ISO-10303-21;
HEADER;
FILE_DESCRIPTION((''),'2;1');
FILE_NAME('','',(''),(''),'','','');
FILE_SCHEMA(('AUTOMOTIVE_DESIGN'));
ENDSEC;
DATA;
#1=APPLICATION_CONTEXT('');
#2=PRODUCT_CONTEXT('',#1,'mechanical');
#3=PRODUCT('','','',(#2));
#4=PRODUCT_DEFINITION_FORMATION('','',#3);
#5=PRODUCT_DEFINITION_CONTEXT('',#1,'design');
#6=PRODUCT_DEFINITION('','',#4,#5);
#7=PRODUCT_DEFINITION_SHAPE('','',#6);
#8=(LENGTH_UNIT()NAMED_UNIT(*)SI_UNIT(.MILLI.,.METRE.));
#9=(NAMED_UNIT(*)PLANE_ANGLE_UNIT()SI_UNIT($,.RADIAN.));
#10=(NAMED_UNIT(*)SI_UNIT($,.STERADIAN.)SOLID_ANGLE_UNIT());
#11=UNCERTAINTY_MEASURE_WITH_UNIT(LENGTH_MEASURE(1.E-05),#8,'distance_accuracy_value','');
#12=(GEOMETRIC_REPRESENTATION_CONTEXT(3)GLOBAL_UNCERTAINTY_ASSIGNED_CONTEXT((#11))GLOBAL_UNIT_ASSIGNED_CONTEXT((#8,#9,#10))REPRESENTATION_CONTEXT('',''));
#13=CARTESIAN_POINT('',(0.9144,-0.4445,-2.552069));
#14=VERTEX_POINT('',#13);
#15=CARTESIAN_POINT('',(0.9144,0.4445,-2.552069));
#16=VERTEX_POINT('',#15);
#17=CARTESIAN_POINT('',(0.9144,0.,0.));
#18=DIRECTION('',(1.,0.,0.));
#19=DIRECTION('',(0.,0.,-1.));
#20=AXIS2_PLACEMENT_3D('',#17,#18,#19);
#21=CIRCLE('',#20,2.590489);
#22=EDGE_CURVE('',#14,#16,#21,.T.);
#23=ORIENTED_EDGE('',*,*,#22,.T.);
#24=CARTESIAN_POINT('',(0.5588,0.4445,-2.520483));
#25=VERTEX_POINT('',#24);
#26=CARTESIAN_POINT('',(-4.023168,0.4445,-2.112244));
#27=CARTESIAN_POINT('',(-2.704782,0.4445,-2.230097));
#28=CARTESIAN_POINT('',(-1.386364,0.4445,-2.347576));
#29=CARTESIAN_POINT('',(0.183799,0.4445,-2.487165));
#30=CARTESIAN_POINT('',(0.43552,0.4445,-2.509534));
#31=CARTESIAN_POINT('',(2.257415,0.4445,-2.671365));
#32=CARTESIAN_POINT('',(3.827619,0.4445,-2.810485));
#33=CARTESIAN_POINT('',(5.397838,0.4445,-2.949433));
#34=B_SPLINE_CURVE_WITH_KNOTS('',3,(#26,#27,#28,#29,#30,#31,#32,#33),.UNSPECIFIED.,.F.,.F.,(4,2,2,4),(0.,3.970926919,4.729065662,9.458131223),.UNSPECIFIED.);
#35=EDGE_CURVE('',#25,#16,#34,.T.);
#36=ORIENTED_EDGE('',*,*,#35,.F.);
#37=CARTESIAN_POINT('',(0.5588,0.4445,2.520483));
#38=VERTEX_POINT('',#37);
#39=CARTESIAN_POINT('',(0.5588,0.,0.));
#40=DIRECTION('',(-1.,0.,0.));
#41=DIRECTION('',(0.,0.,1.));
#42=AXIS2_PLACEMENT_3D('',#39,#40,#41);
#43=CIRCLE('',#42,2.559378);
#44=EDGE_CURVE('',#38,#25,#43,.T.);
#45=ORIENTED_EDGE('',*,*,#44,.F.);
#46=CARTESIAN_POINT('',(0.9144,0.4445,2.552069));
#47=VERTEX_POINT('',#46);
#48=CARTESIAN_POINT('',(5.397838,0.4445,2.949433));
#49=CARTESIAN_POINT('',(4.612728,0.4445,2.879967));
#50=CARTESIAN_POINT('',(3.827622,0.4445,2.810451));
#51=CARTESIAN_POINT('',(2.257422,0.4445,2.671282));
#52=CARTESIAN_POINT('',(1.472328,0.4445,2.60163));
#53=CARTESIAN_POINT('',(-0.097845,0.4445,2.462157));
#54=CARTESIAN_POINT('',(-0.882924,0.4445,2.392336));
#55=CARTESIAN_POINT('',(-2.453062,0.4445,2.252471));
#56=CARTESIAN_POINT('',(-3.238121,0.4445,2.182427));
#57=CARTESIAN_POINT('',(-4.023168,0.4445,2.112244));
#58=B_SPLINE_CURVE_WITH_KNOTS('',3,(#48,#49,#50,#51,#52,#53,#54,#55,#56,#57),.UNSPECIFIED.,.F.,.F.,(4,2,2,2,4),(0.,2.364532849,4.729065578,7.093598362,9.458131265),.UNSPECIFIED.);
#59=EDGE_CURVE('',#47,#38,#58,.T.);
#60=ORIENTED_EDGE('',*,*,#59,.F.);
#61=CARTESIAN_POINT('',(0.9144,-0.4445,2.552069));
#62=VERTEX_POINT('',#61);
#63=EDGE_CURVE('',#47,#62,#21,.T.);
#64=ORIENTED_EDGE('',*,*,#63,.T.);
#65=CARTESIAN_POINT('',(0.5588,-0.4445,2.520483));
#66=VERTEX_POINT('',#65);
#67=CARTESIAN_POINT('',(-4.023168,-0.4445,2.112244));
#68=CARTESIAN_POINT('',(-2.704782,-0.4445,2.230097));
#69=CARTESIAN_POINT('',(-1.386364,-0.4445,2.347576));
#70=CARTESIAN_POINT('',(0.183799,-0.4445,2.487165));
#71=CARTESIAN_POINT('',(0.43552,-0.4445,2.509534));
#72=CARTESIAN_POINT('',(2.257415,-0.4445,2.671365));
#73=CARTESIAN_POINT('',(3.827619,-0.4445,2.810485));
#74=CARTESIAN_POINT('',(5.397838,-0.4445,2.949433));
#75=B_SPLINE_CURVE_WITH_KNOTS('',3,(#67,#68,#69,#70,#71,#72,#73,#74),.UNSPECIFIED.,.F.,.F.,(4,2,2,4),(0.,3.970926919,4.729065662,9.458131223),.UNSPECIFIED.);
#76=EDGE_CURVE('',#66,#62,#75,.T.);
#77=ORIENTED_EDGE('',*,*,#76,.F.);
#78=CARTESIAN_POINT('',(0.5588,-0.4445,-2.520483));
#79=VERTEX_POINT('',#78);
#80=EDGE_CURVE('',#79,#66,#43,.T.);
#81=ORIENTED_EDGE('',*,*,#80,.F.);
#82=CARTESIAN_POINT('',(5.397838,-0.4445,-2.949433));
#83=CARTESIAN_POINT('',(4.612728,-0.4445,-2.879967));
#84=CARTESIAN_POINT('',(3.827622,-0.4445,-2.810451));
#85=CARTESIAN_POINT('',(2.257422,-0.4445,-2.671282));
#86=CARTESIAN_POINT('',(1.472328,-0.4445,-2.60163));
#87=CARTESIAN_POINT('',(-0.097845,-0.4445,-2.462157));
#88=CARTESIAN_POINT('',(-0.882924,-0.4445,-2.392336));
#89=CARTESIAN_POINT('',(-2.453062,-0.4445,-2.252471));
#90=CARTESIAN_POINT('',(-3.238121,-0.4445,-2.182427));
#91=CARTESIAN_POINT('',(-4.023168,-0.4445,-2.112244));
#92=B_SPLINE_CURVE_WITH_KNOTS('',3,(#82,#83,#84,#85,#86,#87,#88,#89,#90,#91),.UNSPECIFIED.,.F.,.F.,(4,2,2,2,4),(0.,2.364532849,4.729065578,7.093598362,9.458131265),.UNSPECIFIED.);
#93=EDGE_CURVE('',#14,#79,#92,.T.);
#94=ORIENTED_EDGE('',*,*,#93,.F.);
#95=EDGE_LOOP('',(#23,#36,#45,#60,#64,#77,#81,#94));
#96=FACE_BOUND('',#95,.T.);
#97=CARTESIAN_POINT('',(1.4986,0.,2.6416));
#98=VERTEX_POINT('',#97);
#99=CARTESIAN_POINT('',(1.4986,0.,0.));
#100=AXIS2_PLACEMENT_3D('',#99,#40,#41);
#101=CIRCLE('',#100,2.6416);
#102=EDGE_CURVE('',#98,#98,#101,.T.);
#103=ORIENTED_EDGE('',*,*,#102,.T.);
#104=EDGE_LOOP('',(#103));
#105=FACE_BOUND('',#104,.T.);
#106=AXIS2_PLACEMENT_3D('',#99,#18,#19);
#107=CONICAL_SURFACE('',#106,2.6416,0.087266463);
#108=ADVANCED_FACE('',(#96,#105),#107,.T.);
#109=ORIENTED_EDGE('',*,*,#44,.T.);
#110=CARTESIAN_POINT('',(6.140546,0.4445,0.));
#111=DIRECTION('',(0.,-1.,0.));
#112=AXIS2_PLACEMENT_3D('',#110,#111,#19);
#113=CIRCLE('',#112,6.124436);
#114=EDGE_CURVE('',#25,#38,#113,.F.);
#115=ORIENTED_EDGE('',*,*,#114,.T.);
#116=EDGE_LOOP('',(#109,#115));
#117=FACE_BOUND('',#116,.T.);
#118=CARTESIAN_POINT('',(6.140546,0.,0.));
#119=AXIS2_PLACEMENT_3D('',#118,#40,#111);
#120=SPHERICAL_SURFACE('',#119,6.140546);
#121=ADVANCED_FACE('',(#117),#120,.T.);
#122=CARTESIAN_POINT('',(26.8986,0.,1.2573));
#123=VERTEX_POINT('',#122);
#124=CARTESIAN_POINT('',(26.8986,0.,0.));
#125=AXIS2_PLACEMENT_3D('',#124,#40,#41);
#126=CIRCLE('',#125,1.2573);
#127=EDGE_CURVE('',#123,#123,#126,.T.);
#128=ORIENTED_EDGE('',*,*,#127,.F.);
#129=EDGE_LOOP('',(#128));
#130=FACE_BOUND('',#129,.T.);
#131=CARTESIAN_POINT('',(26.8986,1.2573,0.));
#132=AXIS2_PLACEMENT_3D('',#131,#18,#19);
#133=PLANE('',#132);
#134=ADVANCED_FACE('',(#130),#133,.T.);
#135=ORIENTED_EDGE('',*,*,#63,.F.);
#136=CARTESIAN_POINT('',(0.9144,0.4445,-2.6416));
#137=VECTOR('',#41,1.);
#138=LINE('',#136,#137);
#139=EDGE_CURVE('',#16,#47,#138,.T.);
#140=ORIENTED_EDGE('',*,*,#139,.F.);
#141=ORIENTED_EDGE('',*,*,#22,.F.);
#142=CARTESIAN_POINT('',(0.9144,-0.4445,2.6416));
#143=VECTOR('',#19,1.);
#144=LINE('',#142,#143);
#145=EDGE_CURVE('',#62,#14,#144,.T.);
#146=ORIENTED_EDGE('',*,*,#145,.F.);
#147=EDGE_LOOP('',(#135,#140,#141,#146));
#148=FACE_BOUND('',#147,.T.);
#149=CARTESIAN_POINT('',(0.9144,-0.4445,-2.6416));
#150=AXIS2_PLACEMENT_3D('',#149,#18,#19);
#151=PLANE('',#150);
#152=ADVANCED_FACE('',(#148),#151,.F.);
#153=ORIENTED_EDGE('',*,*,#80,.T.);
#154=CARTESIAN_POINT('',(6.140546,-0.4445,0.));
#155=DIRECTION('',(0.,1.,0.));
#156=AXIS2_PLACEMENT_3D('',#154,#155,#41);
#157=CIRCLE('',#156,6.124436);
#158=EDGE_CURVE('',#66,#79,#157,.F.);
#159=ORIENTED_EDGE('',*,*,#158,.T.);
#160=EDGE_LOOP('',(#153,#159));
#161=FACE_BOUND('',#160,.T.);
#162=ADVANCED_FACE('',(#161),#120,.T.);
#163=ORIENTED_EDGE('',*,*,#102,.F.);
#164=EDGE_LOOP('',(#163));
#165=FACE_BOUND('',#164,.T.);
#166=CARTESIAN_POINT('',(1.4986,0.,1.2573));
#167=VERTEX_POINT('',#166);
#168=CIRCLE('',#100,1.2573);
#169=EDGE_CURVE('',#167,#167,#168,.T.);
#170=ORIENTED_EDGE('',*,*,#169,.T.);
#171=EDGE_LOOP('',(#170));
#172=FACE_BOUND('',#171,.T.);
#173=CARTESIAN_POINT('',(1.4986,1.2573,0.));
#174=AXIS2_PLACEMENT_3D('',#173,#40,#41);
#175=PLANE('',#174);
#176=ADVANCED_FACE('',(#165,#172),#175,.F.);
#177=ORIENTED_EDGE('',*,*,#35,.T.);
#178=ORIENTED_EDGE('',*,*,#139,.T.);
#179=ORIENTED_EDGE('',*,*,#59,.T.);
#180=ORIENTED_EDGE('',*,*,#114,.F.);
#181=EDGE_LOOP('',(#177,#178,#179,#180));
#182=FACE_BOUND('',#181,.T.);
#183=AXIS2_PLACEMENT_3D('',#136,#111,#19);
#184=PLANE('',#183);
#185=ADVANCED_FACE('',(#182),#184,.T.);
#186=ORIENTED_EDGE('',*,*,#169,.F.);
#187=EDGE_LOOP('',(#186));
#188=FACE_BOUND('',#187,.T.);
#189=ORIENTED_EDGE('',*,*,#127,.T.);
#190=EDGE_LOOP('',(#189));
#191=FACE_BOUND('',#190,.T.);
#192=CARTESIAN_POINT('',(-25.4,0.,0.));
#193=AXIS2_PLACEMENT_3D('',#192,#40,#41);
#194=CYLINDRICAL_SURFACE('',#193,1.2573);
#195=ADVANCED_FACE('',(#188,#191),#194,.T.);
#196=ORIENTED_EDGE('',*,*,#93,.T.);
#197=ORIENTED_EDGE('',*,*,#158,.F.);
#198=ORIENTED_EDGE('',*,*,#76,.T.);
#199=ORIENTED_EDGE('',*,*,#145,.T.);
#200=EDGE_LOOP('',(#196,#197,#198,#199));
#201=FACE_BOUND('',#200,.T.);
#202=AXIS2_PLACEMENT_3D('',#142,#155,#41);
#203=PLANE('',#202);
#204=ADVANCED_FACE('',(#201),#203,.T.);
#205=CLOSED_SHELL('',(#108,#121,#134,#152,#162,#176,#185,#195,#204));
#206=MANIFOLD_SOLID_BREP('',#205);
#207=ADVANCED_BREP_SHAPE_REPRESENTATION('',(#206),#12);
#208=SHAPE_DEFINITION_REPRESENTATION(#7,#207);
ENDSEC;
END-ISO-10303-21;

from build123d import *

# Parameters (mm, degrees)
SKETCH2_W  = 5.2832
SKETCH2_H  = 0.889
SLOT_DEPTH = 0.9144


with BuildPart() as part:
    # BodySke → Base-Revolve (revolve)
    with BuildSketch(Plane.XY, mode=Mode.PRIVATE) as base_revolve_sk:
        with BuildLine():
            Line((1.4986, 1.2573), (1.4986, 2.6416))
            Line((1.4986, 2.6416), (0.5588, 2.559378154))
            ThreePointArc((0.5588, 2.559378154), (0.141326332, 1.309835293), (0, 0))
            Line((0, 0), (26.8986, 0))
            Line((26.8986, 0), (26.8986, 1.2573))
            Line((26.8986, 1.2573), (1.4986, 1.2573))
        make_face()
    revolve(base_revolve_sk.sketch.rotate(Axis((-25.4, 0, 0), (1, 0, 0)), 90), axis=Axis((-25.4, 0, 0), (1, 0, 0)))

    # Sketch2 → Slot (cut)
    with BuildSketch(Plane(origin=(0, 0, 0), x_dir=(0, 0, -1), z_dir=(1, 0, 0))):
        Rectangle(SKETCH2_W, SKETCH2_H)
    extrude(amount=SLOT_DEPTH, mode=Mode.SUBTRACT)


solid = part.part
